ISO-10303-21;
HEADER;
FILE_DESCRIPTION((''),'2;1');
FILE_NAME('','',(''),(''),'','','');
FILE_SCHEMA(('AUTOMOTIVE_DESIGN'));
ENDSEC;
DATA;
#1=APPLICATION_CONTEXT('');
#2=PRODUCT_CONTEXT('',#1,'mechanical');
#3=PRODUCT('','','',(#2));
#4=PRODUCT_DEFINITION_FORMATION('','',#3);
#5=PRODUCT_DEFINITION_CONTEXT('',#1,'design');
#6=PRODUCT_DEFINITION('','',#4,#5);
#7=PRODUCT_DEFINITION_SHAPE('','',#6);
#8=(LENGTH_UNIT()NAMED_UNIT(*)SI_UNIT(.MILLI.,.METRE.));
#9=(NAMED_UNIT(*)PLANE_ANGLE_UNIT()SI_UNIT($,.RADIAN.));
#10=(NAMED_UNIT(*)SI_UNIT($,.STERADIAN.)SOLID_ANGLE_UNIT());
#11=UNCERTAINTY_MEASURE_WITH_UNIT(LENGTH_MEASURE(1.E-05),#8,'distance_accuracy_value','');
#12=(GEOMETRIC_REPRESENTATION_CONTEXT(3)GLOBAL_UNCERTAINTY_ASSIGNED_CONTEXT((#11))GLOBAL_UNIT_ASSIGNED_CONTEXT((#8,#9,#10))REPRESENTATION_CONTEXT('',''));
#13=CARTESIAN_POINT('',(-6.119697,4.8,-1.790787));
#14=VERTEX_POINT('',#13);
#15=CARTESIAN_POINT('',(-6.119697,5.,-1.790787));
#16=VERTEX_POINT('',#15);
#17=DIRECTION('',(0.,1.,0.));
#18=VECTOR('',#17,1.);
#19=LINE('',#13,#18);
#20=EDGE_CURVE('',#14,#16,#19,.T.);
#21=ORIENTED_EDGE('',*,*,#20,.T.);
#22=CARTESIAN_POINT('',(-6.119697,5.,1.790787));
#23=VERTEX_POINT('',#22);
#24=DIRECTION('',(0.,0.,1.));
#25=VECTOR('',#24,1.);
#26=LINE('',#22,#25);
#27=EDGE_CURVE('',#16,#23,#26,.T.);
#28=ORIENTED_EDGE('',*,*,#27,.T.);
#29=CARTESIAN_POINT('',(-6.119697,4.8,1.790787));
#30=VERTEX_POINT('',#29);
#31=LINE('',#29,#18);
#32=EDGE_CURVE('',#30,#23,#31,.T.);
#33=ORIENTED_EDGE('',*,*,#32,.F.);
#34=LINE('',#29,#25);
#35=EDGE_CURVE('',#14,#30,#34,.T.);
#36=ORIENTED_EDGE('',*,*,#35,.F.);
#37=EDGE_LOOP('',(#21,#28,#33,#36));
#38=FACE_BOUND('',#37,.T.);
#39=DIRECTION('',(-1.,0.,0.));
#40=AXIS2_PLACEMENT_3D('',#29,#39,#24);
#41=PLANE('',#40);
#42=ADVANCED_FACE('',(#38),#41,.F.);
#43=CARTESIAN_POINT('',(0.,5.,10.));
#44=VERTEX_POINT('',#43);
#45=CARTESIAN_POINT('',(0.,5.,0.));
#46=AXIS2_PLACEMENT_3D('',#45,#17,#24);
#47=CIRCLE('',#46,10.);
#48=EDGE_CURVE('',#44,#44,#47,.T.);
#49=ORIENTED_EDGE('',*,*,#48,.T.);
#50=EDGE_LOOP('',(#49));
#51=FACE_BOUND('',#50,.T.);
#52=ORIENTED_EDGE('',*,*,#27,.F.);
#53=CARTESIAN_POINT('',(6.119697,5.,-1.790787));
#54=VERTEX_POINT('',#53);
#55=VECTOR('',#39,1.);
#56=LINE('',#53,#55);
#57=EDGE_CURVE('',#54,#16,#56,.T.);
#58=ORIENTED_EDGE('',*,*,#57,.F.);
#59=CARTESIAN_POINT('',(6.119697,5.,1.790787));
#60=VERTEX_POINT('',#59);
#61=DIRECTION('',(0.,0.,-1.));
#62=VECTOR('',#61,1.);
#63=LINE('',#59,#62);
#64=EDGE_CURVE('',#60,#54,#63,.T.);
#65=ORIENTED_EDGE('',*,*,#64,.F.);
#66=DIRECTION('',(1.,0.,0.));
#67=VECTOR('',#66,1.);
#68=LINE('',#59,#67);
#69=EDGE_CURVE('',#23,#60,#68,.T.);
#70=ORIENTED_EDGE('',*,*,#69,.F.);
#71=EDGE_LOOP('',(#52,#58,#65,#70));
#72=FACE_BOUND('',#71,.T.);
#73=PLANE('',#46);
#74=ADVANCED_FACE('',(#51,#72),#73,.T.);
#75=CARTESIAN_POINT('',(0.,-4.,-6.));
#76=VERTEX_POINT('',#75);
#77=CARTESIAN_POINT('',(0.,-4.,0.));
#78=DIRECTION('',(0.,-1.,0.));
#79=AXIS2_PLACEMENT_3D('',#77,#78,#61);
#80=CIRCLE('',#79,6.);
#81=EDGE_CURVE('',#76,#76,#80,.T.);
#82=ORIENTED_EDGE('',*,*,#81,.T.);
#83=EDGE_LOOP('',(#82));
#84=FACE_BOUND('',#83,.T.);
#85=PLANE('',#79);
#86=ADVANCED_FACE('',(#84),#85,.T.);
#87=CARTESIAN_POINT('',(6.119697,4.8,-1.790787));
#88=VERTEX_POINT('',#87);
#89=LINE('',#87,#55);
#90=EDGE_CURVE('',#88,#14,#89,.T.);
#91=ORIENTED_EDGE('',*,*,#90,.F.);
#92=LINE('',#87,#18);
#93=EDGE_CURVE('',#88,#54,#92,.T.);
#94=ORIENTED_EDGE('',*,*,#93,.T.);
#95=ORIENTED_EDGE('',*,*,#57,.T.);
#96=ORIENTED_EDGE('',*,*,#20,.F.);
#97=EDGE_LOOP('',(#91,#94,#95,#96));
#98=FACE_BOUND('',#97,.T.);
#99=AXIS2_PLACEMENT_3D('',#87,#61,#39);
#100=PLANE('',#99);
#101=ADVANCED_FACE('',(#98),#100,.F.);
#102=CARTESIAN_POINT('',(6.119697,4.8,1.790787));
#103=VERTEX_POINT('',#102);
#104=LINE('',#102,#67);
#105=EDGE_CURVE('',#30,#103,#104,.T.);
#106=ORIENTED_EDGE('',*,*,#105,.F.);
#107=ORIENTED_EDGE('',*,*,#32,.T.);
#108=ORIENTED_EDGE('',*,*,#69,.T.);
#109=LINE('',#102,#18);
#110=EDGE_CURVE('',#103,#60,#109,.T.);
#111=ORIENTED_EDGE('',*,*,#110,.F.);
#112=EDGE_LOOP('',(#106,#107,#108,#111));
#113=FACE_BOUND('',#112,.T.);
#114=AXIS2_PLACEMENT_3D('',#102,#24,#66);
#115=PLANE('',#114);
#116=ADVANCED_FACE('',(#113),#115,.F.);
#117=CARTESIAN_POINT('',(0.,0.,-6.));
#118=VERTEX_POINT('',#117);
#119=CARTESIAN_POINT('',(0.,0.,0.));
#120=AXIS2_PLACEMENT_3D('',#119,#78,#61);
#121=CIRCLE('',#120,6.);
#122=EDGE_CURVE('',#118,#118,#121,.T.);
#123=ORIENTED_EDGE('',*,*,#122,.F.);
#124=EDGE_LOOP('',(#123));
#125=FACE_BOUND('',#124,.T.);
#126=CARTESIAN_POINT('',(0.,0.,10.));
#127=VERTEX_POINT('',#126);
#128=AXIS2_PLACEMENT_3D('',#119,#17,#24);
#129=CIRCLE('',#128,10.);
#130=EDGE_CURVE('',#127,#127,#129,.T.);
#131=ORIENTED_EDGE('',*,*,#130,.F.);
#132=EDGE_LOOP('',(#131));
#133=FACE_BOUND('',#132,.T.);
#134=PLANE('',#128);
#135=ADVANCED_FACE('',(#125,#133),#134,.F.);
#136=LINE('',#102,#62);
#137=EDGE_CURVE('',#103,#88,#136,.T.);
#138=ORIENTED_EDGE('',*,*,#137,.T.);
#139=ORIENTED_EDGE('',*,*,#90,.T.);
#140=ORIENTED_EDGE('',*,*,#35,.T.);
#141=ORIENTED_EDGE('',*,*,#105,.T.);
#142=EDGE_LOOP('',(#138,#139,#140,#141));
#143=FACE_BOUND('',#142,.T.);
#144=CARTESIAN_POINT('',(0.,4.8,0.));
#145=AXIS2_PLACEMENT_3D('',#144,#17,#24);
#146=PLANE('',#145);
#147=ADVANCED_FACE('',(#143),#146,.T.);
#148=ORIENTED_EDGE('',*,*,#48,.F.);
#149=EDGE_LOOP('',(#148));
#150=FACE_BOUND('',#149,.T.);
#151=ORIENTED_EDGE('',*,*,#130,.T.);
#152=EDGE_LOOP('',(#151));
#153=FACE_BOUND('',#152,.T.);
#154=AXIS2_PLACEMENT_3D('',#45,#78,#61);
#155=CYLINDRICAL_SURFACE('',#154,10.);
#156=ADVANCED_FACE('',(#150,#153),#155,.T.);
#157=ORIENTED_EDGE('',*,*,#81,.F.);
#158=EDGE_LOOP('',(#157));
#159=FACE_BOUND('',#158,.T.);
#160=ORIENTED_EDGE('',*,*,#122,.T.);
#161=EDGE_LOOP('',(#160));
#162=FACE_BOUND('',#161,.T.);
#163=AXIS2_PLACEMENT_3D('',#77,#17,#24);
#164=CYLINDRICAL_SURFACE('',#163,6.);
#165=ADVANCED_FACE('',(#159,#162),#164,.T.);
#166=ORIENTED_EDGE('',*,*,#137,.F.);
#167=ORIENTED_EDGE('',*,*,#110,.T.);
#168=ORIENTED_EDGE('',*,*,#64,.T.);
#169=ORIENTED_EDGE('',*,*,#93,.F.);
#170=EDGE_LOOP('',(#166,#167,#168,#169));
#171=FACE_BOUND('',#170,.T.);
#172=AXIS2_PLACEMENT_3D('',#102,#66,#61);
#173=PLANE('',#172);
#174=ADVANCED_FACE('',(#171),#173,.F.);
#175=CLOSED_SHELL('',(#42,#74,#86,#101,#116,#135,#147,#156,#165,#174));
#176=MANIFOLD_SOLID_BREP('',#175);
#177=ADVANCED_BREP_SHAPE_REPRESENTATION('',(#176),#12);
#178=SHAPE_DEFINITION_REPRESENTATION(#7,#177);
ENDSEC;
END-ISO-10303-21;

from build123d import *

# Parameters (mm, degrees)
SKETCH_1_R          = 10
EXTRUDE_1_DEPTH     = 5
SKETCH_2_R          = 6
EXTRUDE_2_DEPTH     = 4
SKETCH_3_W          = 12.239393476
SKETCH_3_H          = 3.581573668
CUT_EXTRUDE_1_DEPTH = 0.2


with BuildPart() as part:
    # 草图1 → 凸台-拉伸1 (new body)
    with BuildSketch(Plane(origin=(0, 0, 0), x_dir=(1, 0, 0), z_dir=(0, 1, 0))):
        with Locations(Location((0, 0, 0), (0, 0, 270))):
            Circle(SKETCH_1_R)
    extrude(amount=EXTRUDE_1_DEPTH)

    # 草图2 → 凸台-拉伸2 (add)
    with BuildSketch(Plane.XZ):
        with Locations(Location((0, 0, 0), (0, 0, 270))):
            Circle(SKETCH_2_R)
    extrude(amount=EXTRUDE_2_DEPTH)

    # 草图3 → 切除-拉伸1 (cut)
    with BuildSketch(Plane(origin=(0, 5, 0), x_dir=(1, 0, 0), z_dir=(0, 1, 0))):
        Rectangle(SKETCH_3_W, SKETCH_3_H)
    extrude(amount=-CUT_EXTRUDE_1_DEPTH, mode=Mode.SUBTRACT)


solid = part.part
